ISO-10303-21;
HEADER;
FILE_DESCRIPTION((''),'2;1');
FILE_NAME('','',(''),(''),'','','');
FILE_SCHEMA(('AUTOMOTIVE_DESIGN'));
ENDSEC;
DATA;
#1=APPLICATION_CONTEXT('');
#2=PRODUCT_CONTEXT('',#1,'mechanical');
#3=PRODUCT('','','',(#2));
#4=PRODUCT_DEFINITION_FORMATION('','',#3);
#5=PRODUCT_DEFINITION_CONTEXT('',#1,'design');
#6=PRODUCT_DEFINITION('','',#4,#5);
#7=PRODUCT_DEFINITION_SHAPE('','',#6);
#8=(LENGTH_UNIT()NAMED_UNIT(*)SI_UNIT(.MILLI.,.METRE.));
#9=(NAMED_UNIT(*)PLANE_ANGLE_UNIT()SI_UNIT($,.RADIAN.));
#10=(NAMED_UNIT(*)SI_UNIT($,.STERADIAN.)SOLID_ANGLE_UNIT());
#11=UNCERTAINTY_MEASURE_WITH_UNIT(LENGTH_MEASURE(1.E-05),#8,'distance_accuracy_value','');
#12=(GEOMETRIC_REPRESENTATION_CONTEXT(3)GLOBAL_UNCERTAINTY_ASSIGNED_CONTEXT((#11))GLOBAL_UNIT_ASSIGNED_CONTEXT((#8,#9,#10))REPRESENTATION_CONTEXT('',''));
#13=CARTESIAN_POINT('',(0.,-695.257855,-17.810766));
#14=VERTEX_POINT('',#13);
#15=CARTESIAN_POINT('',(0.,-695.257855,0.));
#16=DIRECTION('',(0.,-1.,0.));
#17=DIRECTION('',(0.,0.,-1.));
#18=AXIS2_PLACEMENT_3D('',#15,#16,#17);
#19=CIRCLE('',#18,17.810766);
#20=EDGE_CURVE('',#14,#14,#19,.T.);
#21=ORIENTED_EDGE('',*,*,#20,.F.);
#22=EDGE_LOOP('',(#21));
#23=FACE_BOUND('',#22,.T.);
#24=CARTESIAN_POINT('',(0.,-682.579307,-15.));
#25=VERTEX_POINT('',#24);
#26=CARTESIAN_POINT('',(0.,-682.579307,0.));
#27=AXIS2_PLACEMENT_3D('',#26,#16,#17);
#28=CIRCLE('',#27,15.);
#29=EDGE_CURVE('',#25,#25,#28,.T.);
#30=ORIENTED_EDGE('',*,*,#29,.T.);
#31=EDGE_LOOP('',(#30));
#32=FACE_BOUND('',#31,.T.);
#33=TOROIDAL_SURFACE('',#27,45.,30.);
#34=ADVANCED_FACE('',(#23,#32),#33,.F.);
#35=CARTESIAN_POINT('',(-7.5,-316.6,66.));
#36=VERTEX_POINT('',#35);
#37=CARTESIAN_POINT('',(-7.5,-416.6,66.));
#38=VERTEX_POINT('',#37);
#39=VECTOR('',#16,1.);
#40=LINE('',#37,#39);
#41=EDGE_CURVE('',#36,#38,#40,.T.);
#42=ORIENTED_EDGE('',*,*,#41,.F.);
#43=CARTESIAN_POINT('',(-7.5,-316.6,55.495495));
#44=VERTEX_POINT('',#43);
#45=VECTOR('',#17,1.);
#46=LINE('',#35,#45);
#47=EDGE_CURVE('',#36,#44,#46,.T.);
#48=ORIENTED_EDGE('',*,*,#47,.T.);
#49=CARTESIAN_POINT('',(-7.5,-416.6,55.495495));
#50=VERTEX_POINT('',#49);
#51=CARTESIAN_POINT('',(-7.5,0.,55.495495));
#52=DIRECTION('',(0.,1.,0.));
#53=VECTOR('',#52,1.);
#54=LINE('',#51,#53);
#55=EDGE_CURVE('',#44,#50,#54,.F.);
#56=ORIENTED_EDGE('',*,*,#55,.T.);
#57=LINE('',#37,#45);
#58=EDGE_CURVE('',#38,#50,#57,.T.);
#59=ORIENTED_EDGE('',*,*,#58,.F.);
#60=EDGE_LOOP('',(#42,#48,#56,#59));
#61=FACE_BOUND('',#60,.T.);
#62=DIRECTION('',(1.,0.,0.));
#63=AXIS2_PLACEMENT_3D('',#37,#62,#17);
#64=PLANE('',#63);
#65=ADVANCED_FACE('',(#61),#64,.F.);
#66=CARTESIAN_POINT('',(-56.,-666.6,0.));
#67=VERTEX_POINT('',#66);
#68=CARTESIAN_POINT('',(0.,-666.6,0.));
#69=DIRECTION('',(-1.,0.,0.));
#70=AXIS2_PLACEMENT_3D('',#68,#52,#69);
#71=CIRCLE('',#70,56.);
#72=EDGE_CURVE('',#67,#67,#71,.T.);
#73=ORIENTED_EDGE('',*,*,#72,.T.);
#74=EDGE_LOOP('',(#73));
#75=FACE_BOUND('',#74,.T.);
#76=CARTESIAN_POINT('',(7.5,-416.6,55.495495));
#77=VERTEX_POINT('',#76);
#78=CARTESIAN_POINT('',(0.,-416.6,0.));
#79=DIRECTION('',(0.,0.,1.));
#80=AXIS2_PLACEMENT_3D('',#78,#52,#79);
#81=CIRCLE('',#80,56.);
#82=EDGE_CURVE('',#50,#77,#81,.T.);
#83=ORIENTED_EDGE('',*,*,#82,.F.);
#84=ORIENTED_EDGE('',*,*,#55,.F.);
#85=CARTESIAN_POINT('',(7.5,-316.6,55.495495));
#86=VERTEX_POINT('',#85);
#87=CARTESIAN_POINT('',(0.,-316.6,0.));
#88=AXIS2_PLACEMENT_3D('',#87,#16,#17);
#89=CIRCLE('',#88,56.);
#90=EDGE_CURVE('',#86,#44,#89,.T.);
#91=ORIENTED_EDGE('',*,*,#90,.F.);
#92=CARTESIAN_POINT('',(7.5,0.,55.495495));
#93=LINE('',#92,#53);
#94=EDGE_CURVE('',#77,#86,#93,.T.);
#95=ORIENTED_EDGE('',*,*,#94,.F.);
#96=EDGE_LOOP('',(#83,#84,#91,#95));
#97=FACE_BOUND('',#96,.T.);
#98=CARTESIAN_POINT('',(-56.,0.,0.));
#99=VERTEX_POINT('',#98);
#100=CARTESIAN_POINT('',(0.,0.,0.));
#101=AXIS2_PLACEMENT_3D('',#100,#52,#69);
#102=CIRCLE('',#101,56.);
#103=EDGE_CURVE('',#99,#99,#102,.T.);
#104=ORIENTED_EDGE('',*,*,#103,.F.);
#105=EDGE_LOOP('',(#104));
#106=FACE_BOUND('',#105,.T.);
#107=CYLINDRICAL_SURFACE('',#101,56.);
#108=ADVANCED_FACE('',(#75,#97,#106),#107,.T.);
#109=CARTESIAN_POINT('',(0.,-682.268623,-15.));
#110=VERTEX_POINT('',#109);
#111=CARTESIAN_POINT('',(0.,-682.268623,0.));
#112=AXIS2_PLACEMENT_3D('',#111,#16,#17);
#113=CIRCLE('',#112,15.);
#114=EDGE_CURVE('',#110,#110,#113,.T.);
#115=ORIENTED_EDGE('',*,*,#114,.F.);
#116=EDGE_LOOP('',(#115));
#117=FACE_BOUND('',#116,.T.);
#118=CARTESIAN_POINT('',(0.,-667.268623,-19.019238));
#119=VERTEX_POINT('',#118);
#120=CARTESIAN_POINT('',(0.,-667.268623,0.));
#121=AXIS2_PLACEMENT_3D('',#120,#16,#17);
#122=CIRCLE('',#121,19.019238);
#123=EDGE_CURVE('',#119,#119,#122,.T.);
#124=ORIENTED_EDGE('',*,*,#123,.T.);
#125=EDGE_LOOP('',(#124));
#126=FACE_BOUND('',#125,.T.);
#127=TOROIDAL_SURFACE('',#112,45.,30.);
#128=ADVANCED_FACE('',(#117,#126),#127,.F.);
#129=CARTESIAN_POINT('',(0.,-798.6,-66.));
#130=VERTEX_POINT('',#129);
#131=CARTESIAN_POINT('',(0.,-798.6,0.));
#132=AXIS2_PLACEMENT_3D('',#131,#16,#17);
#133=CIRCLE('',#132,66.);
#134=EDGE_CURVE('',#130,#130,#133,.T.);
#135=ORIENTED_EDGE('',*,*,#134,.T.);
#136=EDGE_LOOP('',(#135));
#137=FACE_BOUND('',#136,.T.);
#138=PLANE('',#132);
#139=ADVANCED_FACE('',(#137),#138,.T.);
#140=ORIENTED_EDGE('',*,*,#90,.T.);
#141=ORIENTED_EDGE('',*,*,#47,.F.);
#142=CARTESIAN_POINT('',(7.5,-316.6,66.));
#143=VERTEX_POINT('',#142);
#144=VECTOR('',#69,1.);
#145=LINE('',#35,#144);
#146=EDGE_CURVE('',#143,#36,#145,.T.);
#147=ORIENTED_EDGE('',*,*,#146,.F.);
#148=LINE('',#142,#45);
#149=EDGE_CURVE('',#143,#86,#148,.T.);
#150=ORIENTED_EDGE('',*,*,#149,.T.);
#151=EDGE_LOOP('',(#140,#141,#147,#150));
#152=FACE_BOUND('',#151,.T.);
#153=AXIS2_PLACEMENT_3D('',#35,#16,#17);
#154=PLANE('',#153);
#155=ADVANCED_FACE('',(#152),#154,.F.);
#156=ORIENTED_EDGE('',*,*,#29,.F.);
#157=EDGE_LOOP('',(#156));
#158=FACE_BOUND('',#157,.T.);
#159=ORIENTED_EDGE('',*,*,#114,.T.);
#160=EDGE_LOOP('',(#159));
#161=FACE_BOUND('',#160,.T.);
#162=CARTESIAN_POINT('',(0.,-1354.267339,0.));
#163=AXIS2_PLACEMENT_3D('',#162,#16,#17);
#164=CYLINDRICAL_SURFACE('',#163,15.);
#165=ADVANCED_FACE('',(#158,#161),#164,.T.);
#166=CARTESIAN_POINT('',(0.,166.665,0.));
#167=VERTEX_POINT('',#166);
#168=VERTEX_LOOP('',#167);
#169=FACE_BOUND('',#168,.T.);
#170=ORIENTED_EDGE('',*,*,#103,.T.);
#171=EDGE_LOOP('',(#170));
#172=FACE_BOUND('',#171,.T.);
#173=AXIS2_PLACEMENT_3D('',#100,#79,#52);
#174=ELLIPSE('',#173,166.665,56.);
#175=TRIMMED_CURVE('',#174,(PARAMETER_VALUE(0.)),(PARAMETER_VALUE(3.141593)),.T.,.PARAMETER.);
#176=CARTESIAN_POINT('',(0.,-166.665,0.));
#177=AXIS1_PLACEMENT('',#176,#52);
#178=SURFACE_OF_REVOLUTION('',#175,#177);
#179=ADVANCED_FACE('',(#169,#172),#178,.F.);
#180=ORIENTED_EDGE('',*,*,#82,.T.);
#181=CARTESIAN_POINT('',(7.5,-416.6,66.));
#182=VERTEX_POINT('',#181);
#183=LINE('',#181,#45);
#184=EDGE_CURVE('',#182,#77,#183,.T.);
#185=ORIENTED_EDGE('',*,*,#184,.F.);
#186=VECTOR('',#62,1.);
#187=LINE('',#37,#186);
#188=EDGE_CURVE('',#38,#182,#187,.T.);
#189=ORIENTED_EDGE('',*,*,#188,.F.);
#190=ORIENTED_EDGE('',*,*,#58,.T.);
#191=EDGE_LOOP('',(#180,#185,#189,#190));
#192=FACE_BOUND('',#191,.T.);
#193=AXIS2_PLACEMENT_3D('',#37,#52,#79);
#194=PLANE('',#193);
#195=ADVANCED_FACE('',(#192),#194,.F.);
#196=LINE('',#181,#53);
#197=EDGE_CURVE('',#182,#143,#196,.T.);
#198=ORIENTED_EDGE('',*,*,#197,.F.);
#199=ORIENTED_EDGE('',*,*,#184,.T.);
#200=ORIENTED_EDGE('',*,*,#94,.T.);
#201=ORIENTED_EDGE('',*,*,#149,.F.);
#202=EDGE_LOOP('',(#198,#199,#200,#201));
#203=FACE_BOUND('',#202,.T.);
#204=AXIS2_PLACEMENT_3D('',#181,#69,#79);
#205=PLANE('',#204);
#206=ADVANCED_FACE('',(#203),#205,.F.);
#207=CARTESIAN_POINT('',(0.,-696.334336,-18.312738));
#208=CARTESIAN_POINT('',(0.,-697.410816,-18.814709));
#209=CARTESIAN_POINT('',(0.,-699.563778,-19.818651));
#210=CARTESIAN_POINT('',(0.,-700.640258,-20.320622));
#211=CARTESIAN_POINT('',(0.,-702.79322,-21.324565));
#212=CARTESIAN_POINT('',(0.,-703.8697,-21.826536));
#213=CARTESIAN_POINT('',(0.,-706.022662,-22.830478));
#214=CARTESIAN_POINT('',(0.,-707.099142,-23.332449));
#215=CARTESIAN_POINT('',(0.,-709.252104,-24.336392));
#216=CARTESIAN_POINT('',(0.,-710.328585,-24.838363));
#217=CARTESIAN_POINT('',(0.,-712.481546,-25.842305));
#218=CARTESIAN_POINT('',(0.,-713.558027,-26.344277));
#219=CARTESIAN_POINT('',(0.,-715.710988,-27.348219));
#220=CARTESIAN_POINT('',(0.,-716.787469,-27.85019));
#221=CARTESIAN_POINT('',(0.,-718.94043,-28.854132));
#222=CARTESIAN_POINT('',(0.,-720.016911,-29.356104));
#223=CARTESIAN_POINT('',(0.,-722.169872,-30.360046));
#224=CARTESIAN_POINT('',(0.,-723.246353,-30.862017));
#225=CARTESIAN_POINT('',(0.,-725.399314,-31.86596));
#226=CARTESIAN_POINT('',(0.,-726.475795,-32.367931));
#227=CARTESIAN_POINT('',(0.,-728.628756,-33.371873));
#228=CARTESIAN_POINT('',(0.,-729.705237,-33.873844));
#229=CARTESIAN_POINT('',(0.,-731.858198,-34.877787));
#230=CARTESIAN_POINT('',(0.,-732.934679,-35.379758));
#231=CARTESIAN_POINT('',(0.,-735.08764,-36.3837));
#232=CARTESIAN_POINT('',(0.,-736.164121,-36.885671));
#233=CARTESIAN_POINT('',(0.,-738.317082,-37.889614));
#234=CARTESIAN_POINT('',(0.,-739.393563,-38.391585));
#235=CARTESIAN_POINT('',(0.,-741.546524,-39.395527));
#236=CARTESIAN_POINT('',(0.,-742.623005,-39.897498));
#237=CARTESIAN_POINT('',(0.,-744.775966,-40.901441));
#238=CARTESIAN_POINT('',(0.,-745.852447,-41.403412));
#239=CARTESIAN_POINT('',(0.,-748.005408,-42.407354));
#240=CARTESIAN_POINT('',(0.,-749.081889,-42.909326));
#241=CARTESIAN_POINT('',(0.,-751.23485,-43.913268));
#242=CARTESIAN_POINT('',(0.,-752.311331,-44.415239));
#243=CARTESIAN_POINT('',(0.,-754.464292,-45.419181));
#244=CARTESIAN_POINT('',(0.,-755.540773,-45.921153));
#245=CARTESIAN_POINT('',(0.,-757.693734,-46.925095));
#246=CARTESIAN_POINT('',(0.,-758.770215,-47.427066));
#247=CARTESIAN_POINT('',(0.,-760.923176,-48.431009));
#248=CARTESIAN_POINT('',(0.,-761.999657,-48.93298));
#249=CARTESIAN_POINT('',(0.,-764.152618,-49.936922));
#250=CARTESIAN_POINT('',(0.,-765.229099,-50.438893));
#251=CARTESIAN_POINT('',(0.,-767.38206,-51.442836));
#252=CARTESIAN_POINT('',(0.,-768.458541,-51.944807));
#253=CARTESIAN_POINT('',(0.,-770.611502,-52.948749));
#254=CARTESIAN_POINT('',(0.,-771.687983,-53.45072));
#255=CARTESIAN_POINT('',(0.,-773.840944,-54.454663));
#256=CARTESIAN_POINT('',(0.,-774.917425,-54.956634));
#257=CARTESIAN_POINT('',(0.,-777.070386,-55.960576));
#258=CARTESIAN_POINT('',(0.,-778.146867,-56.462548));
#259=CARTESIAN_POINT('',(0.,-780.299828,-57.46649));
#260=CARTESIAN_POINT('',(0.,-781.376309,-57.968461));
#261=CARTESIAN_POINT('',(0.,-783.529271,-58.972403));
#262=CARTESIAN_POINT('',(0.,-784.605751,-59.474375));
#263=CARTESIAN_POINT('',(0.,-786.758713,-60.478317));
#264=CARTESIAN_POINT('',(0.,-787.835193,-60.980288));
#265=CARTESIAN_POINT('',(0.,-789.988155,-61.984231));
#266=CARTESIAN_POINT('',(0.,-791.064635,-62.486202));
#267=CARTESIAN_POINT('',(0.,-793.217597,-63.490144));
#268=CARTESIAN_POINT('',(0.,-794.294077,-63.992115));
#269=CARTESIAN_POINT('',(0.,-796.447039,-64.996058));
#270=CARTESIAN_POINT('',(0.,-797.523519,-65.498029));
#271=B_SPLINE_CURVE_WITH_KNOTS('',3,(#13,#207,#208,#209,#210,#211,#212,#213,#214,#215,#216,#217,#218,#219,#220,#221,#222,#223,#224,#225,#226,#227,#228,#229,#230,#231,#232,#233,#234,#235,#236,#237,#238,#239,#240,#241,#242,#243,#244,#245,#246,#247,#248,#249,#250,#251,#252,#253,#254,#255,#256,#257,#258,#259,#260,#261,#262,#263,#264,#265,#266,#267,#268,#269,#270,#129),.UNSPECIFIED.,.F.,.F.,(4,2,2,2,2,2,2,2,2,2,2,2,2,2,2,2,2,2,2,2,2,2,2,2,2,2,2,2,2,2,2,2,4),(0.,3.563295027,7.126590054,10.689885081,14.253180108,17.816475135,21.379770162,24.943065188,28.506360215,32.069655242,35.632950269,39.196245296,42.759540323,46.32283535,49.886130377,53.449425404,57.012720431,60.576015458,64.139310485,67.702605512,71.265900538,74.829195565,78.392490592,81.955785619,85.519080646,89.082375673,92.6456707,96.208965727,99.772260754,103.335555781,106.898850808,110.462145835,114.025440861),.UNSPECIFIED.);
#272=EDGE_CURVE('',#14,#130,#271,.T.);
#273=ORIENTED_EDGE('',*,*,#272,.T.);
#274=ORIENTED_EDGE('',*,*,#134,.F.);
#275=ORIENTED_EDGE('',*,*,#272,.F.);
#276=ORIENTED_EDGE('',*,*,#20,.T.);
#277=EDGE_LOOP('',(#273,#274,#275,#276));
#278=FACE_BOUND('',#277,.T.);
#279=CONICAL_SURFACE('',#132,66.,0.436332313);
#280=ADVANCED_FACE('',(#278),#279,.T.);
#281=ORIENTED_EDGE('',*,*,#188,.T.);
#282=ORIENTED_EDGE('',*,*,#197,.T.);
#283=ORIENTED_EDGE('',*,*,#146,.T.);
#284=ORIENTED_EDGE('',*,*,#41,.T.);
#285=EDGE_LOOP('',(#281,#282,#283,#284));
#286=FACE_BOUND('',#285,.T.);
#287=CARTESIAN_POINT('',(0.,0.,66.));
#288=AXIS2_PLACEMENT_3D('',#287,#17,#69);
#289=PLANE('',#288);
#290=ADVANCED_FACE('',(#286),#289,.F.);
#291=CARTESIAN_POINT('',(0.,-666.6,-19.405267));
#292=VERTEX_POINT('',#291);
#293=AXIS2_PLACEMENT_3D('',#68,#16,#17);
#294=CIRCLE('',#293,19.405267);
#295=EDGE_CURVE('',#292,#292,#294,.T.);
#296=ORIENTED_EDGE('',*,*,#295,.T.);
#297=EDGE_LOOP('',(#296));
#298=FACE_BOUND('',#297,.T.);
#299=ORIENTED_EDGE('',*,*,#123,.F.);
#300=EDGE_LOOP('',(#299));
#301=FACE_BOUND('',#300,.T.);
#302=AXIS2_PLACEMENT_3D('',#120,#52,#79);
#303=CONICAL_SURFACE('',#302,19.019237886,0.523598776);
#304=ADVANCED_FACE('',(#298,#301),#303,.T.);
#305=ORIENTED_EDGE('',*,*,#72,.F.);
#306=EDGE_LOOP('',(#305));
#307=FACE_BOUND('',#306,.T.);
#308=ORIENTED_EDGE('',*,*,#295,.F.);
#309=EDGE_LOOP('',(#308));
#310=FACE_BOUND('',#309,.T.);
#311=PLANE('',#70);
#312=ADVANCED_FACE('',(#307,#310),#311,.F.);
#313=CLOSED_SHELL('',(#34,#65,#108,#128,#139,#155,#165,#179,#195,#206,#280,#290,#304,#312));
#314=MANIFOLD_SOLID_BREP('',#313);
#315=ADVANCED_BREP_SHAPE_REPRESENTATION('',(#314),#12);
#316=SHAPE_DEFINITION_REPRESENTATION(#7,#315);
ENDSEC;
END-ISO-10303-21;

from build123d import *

# Parameters (mm, degrees)
SKETCH1_W           = 56
SKETCH1_H           = 666.6
DOME1_FACE_RADIUS   = 56
DOME1_HEIGHT        = 166.665
SKETCH3_W           = 15
SKETCH3_H           = 100
BOSS_EXTRUDE1_DEPTH = 66


with BuildPart() as part:
    # Sketch1 → Revolve1 (revolve)
    with BuildSketch(Plane.XY):
        with Locations((28, -333.3)):
            Rectangle(SKETCH1_W, SKETCH1_H)
    revolve(axis=Axis((0, 0, 0), (0, -1, 0)))

    # Dome1: an elliptical dome of height H over a round flat face of radius A is half a spheroid: the quarter ellipse of half axes A and H revolved about the face's axis
    with BuildSketch(Plane((0, 0, 0), x_dir=(0, 0, -1), z_dir=(1, 0, 0)), mode=Mode.PRIVATE) as dome1_quarter:
        Ellipse(DOME1_FACE_RADIUS, DOME1_HEIGHT)
        Rectangle(DOME1_FACE_RADIUS, DOME1_HEIGHT, align=(Align.MIN, Align.MIN), mode=Mode.INTERSECT)
    revolve(dome1_quarter.sketch, axis=Axis((0, 0, 0), (0, 1, 0)))

    # Sketch2 → Revolve2 (revolve)
    with BuildSketch(Plane.XY):
        with BuildLine():
            Line((19.405267456, -666.6), (19.019237886, -667.268622827))
            ThreePointArc((19.019237886, -667.268622827), (16.022225211, -674.504051474), (15, -682.268622827))
            Line((15, -682.268622827), (15, -682.579307175))
            ThreePointArc((15, -682.579307175), (15.711119786, -689.072495593), (17.810766389, -695.257855027))
            Line((17.810766389, -695.257855027), (66, -798.6))
            Line((66, -798.6), (0, -798.6))
            Line((0, -798.6), (0, -666.6))
            Line((0, -666.6), (19.405267456, -666.6))
        make_face()
    revolve(axis=Axis((0, -1354.267338739, 0), (0, 1, 0)))

    # Sketch3 → Boss-Extrude1 (add)
    with BuildSketch(Plane.XY):
        with Locations((0, -366.6)):
            Rectangle(SKETCH3_W, SKETCH3_H)
    extrude(amount=BOSS_EXTRUDE1_DEPTH)


solid = part.part
